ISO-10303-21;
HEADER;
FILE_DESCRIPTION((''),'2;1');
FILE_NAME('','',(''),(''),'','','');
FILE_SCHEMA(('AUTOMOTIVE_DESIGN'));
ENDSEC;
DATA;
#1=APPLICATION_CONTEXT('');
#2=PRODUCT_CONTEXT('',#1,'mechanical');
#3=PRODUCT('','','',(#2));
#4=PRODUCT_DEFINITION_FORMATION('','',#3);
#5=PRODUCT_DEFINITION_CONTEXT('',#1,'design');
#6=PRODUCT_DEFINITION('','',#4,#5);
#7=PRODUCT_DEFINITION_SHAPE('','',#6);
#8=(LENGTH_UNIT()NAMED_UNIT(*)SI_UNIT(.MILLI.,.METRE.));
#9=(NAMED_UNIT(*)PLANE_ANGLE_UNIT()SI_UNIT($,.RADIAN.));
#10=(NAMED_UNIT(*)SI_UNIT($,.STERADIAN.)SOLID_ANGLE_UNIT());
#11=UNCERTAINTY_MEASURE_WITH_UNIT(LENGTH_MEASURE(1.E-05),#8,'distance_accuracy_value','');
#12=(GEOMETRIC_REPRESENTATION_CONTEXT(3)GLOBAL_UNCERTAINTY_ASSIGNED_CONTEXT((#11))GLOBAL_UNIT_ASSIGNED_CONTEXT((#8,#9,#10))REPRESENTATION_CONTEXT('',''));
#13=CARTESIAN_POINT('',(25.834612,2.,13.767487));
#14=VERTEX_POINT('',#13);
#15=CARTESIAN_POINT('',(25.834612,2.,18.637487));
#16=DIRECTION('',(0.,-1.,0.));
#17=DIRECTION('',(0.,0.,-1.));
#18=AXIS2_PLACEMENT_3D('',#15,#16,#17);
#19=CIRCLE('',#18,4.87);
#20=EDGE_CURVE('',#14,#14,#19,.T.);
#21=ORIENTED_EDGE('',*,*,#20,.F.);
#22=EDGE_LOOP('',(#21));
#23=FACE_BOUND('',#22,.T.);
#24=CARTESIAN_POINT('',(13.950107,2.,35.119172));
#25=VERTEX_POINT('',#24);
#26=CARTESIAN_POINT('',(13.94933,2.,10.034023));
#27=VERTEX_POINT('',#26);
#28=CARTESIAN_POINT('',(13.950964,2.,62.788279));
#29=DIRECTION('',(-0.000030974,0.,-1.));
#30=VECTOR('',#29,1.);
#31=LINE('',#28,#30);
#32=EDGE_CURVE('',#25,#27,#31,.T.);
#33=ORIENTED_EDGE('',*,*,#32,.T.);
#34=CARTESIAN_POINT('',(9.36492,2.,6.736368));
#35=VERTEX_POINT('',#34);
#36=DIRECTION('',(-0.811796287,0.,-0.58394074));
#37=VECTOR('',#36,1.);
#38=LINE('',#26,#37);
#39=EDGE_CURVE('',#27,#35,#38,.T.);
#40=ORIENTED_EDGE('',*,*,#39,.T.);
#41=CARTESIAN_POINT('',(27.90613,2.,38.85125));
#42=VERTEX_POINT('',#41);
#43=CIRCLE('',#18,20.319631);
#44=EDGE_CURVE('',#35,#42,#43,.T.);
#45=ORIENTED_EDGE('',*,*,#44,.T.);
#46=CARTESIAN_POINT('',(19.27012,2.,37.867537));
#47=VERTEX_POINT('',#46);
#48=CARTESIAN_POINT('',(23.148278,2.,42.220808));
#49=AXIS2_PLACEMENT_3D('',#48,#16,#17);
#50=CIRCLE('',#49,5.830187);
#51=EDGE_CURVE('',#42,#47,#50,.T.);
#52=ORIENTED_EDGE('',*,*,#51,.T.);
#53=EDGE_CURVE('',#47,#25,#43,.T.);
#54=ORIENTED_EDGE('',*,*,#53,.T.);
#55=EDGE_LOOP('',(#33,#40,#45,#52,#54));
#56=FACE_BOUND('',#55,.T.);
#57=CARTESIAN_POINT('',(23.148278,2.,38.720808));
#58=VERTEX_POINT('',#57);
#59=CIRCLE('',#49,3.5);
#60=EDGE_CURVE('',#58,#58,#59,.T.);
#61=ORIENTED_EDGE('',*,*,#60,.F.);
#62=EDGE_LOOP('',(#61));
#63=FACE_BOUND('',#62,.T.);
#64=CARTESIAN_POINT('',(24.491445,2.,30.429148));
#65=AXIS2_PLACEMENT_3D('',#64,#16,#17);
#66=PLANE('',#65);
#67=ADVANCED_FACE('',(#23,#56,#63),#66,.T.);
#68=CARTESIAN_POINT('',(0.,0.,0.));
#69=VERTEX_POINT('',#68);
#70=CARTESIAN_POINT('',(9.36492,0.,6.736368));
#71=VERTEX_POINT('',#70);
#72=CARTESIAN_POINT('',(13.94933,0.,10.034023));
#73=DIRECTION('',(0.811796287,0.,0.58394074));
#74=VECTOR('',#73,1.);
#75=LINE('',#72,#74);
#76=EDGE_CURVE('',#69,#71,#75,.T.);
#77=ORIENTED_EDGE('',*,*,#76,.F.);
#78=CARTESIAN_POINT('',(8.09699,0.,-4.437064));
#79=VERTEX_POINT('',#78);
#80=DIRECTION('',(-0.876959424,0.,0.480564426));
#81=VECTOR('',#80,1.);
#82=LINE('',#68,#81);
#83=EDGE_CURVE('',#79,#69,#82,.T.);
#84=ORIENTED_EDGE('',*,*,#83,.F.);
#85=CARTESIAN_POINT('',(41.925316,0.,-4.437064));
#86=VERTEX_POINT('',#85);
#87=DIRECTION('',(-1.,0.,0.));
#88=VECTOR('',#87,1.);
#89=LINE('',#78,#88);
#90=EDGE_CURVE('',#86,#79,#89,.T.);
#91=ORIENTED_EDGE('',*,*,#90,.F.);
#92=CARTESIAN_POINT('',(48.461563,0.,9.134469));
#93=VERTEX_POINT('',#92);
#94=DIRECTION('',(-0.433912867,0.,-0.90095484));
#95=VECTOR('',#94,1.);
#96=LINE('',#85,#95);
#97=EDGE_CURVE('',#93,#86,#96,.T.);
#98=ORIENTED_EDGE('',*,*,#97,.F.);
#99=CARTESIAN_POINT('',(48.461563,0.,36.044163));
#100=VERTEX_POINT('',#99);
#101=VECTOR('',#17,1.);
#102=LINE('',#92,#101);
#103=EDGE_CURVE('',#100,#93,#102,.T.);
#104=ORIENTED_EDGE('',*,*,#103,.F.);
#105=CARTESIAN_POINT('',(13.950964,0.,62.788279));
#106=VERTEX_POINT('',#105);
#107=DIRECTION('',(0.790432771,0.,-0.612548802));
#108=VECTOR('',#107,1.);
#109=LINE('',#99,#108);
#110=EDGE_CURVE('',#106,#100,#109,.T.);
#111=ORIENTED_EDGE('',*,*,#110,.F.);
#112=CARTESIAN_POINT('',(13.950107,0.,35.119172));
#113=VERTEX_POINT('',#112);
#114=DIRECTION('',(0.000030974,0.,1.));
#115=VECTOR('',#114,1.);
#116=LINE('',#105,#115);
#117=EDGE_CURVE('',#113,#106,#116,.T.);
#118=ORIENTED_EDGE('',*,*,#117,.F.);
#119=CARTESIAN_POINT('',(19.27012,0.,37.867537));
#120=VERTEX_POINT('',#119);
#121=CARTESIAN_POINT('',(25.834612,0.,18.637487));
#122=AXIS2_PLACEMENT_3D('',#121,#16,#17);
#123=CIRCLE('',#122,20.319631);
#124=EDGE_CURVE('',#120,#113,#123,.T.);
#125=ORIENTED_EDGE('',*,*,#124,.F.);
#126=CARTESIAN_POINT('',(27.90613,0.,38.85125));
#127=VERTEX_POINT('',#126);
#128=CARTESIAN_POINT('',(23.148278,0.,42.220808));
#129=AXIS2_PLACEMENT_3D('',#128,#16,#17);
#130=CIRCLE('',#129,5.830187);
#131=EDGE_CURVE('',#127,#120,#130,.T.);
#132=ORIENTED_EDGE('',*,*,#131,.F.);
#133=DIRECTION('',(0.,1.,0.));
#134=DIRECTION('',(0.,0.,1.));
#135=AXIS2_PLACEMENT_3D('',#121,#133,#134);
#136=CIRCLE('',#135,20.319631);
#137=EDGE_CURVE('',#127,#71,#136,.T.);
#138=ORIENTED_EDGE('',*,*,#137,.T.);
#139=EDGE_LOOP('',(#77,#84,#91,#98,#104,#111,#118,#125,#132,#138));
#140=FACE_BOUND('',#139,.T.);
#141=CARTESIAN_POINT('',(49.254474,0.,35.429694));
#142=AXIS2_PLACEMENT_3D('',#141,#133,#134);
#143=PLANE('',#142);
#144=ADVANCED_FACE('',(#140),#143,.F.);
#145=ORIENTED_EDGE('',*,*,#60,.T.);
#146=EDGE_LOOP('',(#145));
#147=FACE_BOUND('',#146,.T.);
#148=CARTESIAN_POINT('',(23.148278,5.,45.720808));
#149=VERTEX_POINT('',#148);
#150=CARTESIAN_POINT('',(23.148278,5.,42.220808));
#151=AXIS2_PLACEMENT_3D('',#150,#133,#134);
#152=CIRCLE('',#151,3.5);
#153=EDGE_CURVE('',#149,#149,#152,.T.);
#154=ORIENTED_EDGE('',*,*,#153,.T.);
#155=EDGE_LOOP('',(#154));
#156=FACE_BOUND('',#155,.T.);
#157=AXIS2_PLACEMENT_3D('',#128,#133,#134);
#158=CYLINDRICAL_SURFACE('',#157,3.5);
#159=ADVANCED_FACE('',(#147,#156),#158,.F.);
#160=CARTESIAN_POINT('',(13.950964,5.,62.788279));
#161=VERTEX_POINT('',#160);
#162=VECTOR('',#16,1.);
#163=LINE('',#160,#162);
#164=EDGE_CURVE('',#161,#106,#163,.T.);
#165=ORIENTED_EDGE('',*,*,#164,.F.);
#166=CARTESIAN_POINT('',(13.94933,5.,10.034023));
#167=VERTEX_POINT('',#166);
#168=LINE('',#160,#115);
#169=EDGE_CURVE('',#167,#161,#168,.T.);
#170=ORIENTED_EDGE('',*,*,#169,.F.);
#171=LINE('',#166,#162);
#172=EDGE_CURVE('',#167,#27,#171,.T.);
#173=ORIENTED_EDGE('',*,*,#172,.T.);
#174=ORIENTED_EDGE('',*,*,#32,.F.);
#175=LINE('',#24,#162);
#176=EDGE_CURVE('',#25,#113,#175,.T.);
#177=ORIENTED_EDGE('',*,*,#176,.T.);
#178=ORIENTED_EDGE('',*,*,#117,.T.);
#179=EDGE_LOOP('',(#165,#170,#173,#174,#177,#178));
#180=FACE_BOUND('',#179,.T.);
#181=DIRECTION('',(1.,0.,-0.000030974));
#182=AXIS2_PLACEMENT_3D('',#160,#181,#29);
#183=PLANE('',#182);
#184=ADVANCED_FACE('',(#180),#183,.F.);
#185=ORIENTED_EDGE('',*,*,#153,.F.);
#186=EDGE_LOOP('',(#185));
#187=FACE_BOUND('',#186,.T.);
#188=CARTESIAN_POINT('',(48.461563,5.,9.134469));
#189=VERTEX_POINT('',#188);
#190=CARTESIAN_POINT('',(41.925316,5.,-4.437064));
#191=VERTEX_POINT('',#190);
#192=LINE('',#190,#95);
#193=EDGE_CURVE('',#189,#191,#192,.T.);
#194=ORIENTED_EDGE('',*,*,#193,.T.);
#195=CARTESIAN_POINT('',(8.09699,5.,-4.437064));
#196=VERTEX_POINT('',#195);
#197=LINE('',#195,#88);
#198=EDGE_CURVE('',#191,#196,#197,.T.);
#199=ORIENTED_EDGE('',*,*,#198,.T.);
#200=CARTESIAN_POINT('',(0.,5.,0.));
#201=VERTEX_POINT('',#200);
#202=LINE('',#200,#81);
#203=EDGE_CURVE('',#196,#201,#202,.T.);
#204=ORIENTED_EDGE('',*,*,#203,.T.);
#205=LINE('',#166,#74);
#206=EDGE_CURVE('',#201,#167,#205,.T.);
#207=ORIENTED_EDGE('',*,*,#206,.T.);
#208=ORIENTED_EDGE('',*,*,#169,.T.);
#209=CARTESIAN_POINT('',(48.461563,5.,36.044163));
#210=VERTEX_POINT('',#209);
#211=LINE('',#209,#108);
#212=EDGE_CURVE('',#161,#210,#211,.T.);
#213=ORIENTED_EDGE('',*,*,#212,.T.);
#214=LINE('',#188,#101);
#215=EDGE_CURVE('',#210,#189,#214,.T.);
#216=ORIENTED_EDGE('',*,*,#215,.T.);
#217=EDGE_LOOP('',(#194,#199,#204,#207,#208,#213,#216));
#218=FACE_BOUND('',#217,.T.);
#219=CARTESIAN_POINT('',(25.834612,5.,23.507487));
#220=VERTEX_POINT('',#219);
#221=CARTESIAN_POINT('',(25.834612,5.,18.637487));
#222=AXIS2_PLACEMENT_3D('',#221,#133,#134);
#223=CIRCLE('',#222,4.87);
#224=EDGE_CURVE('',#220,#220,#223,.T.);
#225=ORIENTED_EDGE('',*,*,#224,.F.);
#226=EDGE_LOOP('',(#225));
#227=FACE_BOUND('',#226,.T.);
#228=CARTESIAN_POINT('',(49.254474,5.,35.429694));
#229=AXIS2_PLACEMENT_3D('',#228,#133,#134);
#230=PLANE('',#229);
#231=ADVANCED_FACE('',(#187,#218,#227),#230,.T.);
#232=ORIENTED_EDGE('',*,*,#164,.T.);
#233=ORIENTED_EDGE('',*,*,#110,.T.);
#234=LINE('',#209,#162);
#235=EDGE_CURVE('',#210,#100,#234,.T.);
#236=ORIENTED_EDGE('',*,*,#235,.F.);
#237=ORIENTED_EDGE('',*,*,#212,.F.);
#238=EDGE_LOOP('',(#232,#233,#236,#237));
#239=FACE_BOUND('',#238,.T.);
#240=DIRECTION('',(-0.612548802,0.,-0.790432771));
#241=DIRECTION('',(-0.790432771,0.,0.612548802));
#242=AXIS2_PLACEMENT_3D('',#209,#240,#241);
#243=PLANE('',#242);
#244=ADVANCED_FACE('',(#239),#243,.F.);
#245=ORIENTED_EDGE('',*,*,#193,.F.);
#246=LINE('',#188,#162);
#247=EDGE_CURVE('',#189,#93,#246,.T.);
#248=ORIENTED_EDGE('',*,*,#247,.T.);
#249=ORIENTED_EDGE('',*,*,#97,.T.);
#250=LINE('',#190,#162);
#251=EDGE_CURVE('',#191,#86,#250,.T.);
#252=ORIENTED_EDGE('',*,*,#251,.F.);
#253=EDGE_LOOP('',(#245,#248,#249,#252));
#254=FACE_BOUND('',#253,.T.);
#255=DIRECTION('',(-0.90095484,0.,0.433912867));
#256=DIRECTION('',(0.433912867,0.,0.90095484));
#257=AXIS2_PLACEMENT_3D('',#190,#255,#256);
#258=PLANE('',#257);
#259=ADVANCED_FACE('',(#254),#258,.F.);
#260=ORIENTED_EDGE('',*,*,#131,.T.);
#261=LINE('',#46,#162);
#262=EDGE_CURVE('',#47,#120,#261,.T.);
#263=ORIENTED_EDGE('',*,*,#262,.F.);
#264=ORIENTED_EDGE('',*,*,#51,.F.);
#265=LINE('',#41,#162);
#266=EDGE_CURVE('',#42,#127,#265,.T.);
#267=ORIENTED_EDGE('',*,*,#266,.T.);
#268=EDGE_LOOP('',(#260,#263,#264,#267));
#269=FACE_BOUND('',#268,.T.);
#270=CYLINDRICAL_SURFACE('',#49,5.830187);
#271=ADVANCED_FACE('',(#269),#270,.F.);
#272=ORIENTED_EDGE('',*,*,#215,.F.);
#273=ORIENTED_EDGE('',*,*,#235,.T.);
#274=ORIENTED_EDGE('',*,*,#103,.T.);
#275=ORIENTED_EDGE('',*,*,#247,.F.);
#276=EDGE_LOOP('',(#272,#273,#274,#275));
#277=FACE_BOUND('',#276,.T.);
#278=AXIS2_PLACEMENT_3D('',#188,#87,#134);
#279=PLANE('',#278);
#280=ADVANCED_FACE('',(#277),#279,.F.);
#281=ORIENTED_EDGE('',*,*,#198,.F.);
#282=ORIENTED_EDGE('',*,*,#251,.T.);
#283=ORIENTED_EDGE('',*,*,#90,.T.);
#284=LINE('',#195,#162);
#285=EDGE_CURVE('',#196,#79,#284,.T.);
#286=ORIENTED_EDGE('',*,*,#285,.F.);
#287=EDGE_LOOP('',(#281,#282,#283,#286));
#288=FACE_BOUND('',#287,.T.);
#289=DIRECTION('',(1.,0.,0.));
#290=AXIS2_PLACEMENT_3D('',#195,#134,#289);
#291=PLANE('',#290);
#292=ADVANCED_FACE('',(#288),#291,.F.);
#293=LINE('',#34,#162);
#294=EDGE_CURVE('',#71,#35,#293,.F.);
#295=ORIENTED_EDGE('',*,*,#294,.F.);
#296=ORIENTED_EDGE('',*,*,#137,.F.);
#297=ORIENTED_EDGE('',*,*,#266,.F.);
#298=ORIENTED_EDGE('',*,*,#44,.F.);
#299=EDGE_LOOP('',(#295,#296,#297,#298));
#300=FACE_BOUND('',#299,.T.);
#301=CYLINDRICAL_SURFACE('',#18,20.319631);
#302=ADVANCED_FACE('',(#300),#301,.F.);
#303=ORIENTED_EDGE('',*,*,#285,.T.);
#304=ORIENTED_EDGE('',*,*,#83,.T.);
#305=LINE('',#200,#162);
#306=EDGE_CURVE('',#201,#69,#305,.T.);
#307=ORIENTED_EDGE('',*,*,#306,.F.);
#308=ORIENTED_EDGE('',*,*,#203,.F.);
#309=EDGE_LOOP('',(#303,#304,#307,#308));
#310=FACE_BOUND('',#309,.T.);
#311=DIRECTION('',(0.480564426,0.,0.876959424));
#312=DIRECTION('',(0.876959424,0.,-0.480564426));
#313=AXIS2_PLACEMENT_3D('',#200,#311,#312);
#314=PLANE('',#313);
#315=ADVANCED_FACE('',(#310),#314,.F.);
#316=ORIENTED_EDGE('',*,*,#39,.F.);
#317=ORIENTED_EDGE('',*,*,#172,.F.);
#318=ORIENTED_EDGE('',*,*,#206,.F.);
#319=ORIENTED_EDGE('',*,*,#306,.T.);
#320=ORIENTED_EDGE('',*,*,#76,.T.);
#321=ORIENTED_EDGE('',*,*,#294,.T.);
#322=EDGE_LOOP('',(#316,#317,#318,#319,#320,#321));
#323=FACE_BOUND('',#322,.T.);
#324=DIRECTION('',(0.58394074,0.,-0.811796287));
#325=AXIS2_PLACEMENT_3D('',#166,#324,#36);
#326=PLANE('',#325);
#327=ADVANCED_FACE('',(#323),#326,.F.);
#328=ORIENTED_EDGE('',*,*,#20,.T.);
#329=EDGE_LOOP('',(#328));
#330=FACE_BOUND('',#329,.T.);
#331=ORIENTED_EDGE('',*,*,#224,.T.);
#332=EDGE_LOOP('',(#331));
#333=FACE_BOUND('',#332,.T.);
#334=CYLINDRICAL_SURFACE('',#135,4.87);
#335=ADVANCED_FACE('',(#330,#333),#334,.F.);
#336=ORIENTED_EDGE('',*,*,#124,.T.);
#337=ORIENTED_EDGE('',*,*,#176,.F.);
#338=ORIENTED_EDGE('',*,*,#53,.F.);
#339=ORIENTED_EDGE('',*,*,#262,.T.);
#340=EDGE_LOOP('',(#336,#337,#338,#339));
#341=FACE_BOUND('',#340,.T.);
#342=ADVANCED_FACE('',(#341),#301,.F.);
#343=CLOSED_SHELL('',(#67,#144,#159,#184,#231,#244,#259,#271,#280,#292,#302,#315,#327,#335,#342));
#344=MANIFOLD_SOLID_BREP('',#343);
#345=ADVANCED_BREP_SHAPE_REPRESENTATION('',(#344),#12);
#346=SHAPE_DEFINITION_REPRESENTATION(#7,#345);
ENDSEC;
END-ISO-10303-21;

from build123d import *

# Parameters (mm, degrees)
EXTRUDE_1_DEPTH     = 5
CUT_EXTRUDE_1_DEPTH = 2
SKETCH_3_R          = 4.87
SKETCH_3_R_2        = 3.5
CUT_EXTRUDE_2_DEPTH = 80.472580045


with BuildPart() as part:
    # Эскиз1 → Вытянуть1 (new body)
    with BuildSketch(Plane(origin=(0, 0, 0), x_dir=(1, 0, 0), z_dir=(0, 1, 0))):
        Polygon((1e-09, -1e-09), (8.096990259, 4.437064442), (41.925316116, 4.437064442), (48.461562516, -9.134468652), (48.461562516, -36.044162995), (13.950964491, -62.788278664), (13.949330464, -10.03402267), align=None)
    extrude(amount=EXTRUDE_1_DEPTH)

    # Эскиз2 → Вырез-Вытянуть1 (cut)
    with BuildSketch(Plane.XZ):
        with BuildLine():
            ThreePointArc((19.270119717, 37.867537317), (28.134312971, -1.551588069), (27.906130369, 38.851249714))
            ThreePointArc((27.906130369, 38.851249714), (22.488439096, 48.013535902), (19.270119717, 37.867537317))
        make_face()
    extrude(amount=-CUT_EXTRUDE_1_DEPTH, mode=Mode.SUBTRACT)

    # Эскиз3 → Вырез-Вытянуть2 (cut, through all)
    with BuildSketch(Plane(origin=(0, 5, 0), x_dir=(1, 0, 0), z_dir=(0, 1, 0))):
        with Locations(Location((25.834611823, -18.637487181, 0), (0, 0, 270))):
            Circle(SKETCH_3_R)
        with Locations(Location((23.148278256, -42.220808245, 0), (0, 0, 270))):
            Circle(SKETCH_3_R_2)
    extrude(amount=-CUT_EXTRUDE_2_DEPTH, mode=Mode.SUBTRACT)


solid = part.part
